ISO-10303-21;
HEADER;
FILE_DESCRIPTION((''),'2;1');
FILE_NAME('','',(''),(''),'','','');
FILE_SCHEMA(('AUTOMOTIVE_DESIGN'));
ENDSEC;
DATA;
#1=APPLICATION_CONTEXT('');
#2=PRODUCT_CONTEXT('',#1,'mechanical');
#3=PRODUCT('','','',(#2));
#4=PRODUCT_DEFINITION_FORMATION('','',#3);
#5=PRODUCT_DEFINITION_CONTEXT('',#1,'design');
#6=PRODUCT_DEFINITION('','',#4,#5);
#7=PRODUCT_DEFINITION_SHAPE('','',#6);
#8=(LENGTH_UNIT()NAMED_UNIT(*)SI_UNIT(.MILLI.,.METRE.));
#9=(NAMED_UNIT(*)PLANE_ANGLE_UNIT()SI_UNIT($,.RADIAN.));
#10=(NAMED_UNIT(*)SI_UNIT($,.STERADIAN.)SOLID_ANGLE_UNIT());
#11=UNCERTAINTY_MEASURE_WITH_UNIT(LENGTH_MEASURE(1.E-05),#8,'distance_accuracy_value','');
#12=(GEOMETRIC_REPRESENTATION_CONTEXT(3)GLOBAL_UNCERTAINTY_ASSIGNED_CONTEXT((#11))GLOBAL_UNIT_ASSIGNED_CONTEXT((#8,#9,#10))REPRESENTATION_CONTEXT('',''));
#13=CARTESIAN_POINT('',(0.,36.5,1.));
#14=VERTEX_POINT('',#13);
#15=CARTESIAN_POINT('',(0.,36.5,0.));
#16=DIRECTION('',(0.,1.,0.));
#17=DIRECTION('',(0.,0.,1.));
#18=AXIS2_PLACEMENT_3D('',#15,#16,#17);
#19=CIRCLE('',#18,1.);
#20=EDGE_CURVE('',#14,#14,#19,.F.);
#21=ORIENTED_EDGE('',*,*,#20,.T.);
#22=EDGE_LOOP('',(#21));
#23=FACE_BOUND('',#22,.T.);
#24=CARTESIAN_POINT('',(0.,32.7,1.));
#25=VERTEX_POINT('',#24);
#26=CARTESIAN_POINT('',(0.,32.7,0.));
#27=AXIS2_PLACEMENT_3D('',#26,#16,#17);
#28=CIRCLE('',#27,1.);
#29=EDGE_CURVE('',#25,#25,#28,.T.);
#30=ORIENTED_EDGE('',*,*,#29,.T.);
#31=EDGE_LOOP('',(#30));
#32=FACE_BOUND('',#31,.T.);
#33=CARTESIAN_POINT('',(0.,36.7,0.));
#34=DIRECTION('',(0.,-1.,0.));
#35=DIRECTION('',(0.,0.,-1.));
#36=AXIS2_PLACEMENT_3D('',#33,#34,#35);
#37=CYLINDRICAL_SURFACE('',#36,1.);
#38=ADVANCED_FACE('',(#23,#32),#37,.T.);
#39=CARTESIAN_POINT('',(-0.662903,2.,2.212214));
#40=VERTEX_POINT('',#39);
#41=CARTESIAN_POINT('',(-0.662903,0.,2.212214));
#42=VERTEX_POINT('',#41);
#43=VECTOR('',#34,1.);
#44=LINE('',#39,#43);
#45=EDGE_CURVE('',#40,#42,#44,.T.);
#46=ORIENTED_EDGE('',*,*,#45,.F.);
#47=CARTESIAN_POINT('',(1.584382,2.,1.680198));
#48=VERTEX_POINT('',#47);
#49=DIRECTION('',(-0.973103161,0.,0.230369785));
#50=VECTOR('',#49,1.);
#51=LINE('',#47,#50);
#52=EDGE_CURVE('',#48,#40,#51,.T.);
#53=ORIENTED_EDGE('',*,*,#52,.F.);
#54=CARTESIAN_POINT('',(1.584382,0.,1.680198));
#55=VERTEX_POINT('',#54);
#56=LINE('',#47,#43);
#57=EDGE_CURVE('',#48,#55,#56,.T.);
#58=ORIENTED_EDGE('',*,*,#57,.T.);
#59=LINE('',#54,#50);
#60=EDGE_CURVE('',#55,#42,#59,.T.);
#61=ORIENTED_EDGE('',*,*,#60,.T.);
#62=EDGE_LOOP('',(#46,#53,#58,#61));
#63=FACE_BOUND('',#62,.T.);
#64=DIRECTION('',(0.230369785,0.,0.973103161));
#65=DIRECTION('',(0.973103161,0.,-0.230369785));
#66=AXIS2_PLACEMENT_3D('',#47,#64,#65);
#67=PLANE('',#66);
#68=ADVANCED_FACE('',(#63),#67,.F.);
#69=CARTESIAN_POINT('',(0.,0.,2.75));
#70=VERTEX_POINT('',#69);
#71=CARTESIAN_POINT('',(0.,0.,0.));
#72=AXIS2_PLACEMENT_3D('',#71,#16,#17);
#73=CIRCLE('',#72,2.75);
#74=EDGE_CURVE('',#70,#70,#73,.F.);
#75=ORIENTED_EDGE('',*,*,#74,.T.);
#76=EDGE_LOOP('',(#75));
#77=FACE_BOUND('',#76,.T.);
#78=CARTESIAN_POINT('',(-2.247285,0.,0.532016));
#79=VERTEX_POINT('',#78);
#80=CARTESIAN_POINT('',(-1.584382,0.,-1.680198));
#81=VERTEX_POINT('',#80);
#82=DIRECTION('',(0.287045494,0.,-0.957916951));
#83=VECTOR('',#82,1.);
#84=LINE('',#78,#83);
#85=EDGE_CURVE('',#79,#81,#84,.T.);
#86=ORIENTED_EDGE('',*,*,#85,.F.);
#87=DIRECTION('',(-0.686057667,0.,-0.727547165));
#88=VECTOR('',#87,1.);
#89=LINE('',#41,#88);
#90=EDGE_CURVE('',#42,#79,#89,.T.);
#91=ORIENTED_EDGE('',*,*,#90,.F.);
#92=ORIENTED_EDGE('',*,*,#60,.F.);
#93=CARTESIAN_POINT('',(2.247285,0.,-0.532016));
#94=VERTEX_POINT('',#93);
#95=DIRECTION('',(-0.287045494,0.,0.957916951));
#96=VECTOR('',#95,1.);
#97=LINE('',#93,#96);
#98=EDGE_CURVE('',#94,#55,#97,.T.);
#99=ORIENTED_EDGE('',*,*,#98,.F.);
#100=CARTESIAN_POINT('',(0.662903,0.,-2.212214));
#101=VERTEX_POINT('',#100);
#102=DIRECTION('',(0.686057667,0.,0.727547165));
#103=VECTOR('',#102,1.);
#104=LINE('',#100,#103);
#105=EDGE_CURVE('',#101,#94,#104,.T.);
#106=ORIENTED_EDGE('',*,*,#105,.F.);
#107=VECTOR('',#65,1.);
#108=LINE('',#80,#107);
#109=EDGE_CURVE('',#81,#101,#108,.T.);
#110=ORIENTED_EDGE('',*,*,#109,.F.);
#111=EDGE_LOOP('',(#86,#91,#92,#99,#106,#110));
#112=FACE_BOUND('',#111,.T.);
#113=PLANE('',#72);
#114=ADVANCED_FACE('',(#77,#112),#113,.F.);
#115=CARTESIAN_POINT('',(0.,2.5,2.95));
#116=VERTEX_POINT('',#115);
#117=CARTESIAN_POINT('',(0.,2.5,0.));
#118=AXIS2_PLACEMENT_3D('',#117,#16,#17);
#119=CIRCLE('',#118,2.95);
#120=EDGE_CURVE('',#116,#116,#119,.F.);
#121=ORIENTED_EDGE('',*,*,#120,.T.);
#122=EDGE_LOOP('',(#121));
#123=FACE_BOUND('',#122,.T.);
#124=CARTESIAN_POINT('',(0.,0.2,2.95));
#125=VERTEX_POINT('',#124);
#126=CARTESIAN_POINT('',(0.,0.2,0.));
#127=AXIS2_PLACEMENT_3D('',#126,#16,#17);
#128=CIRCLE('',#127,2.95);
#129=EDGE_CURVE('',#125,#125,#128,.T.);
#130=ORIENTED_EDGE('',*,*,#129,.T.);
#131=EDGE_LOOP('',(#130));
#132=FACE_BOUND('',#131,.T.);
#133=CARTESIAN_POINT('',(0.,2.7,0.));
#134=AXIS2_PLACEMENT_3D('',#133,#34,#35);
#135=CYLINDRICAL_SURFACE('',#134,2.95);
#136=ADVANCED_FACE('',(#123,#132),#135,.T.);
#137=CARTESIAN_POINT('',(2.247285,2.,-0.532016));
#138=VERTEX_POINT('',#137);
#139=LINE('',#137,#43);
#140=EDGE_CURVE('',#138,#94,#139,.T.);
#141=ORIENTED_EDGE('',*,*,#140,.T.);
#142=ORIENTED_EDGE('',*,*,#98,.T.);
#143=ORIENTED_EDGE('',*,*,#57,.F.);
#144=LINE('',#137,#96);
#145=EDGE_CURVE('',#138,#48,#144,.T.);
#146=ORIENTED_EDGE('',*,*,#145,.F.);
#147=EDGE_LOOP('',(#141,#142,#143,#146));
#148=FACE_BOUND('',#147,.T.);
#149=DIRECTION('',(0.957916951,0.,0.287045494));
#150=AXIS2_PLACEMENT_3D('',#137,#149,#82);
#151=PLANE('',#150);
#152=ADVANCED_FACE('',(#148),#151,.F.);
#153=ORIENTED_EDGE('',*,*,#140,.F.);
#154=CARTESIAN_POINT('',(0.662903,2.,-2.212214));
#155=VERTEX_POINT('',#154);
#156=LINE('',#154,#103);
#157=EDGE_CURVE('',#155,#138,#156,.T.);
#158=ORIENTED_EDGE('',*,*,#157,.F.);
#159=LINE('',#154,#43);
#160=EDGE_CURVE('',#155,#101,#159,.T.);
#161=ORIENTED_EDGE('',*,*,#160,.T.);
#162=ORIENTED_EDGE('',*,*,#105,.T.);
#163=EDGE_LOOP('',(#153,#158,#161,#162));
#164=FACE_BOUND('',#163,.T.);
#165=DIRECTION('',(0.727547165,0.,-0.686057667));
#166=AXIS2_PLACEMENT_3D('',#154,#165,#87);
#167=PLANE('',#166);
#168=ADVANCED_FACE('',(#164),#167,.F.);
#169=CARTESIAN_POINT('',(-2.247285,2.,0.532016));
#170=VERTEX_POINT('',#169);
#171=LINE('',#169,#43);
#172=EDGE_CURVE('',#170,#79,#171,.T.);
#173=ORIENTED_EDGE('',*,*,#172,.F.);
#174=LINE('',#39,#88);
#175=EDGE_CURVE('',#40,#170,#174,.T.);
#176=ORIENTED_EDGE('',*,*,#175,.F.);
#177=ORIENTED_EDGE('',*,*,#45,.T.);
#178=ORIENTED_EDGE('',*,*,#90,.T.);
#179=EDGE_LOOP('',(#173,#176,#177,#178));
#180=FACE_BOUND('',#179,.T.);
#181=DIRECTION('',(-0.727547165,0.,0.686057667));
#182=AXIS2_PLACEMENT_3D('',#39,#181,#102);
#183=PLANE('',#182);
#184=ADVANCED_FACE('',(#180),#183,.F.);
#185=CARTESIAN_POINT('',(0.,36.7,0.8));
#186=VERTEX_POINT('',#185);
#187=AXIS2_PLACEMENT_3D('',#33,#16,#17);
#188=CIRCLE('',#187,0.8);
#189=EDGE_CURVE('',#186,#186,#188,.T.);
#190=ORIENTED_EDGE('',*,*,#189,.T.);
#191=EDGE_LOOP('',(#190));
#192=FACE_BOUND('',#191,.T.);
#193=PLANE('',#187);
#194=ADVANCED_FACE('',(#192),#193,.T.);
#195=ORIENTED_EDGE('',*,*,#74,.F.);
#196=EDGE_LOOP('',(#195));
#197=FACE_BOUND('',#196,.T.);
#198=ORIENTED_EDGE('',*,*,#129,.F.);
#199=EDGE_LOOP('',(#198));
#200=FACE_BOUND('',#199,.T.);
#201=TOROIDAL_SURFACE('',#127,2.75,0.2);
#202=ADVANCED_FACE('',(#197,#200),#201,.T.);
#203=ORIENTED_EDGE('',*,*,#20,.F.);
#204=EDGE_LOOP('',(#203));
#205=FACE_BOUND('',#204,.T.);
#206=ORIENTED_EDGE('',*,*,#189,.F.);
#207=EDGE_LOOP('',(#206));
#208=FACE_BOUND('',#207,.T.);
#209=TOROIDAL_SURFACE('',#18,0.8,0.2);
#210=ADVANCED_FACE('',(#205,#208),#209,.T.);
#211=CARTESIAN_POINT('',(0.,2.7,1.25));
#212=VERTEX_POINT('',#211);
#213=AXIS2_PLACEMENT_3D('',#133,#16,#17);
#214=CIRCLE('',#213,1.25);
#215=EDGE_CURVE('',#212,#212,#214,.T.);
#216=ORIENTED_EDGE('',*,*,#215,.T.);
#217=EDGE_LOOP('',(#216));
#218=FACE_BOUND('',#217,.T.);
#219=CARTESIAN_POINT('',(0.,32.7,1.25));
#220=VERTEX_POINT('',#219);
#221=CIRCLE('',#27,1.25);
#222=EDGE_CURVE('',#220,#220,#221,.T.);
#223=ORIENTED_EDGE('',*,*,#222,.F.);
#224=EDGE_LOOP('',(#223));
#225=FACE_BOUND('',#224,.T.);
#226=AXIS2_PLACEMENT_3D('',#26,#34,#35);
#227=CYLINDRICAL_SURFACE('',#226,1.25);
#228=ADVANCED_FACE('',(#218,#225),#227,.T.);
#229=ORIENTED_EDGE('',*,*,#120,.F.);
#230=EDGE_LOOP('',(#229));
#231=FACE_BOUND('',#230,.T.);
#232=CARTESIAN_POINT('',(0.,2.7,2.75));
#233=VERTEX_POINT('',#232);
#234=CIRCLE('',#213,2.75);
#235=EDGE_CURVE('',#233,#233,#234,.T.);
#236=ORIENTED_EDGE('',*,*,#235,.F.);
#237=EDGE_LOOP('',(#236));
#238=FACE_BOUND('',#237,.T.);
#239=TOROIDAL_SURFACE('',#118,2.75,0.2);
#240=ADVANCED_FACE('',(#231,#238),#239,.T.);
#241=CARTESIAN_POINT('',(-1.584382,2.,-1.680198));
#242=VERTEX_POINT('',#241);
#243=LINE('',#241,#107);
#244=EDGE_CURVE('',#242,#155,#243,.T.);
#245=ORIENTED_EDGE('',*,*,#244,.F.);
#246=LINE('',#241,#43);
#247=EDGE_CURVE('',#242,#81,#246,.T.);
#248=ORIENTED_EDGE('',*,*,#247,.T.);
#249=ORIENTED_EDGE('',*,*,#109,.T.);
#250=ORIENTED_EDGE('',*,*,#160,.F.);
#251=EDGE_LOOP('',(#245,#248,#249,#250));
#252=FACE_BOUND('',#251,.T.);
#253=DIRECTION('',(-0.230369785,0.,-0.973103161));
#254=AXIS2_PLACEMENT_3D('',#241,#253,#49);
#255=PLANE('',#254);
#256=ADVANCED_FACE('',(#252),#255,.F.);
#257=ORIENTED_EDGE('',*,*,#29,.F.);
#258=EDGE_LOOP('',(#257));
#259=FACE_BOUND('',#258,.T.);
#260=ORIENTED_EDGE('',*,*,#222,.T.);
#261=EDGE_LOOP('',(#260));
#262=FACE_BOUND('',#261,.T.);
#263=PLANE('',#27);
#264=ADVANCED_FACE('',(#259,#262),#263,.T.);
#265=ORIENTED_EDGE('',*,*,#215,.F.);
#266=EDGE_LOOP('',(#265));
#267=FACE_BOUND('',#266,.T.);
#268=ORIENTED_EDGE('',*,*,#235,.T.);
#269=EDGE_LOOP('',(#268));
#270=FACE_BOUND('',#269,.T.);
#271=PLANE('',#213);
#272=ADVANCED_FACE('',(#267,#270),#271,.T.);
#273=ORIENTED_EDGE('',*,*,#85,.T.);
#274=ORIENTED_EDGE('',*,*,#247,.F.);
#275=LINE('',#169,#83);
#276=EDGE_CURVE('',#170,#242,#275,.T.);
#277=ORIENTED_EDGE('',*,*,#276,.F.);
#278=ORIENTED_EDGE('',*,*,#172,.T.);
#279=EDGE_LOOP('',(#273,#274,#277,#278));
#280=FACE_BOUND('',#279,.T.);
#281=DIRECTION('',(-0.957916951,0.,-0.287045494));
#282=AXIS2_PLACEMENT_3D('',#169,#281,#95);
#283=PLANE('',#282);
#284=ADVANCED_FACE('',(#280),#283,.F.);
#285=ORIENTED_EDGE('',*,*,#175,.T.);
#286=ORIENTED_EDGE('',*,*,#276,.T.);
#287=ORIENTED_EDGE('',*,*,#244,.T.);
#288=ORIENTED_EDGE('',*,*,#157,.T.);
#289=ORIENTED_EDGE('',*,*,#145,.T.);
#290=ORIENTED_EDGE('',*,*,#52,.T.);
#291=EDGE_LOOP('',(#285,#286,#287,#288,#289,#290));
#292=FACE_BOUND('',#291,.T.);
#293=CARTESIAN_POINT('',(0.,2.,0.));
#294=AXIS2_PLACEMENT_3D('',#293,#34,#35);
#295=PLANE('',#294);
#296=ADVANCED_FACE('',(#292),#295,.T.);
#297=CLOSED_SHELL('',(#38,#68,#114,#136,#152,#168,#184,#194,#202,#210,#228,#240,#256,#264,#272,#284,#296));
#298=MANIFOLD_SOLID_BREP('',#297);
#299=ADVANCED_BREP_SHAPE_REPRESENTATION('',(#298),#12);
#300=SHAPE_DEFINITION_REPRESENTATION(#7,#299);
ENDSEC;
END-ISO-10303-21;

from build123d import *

# Parameters (mm, degrees)
SKETCH_1_R          = 2.95
EXTRUDE_1_DEPTH     = 2.7
SKETCH_2_R          = 1.25
EXTRUDE_2_DEPTH     = 30
SKETCH_3_R          = 1
EXTRUDE_3_DEPTH     = 4
CUT_EXTRUDE_1_DEPTH = 2
FILLET_1_R          = 0.2


with BuildPart() as part:
    # 草图1 → 凸台-拉伸1 (new body)
    with BuildSketch(Plane(origin=(0, 0, 0), x_dir=(1, 0, 0), z_dir=(0, 1, 0))):
        Circle(SKETCH_1_R)
    extrude(amount=EXTRUDE_1_DEPTH)

    # 草图2 → 凸台-拉伸2 (add)
    with BuildSketch(Plane(origin=(0, 2.7, 0), x_dir=(1, 0, 0), z_dir=(0, 1, 0))):
        Circle(SKETCH_2_R)
    extrude(amount=EXTRUDE_2_DEPTH)

    # 草图3 → 凸台-拉伸3 (add)
    with BuildSketch(Plane(origin=(0, 32.7, 0), x_dir=(1, 0, 0), z_dir=(0, 1, 0))):
        Circle(SKETCH_3_R)
    extrude(amount=EXTRUDE_3_DEPTH)

    # 草图4 → 切除-拉伸1 (cut)
    with BuildSketch(Plane.XZ):
        Polygon((2.247285488, -0.53201623), (1.584382314, 1.680198207), (-0.662903174, 2.212214437), (-2.247285488, 0.53201623), (-1.584382314, -1.680198207), (0.662903174, -2.212214437), align=None)
    extrude(amount=-CUT_EXTRUDE_1_DEPTH, mode=Mode.SUBTRACT)

    # 圆角1
    fillet_1_edges = [part.edges().sort_by_distance(p)[0] for p in [
        (-1, 36.7, 0),
        (-2.95, 0, 0),
        (-2.95, 2.7, 0),
    ]]
    fillet(fillet_1_edges, radius=FILLET_1_R)


solid = part.part
